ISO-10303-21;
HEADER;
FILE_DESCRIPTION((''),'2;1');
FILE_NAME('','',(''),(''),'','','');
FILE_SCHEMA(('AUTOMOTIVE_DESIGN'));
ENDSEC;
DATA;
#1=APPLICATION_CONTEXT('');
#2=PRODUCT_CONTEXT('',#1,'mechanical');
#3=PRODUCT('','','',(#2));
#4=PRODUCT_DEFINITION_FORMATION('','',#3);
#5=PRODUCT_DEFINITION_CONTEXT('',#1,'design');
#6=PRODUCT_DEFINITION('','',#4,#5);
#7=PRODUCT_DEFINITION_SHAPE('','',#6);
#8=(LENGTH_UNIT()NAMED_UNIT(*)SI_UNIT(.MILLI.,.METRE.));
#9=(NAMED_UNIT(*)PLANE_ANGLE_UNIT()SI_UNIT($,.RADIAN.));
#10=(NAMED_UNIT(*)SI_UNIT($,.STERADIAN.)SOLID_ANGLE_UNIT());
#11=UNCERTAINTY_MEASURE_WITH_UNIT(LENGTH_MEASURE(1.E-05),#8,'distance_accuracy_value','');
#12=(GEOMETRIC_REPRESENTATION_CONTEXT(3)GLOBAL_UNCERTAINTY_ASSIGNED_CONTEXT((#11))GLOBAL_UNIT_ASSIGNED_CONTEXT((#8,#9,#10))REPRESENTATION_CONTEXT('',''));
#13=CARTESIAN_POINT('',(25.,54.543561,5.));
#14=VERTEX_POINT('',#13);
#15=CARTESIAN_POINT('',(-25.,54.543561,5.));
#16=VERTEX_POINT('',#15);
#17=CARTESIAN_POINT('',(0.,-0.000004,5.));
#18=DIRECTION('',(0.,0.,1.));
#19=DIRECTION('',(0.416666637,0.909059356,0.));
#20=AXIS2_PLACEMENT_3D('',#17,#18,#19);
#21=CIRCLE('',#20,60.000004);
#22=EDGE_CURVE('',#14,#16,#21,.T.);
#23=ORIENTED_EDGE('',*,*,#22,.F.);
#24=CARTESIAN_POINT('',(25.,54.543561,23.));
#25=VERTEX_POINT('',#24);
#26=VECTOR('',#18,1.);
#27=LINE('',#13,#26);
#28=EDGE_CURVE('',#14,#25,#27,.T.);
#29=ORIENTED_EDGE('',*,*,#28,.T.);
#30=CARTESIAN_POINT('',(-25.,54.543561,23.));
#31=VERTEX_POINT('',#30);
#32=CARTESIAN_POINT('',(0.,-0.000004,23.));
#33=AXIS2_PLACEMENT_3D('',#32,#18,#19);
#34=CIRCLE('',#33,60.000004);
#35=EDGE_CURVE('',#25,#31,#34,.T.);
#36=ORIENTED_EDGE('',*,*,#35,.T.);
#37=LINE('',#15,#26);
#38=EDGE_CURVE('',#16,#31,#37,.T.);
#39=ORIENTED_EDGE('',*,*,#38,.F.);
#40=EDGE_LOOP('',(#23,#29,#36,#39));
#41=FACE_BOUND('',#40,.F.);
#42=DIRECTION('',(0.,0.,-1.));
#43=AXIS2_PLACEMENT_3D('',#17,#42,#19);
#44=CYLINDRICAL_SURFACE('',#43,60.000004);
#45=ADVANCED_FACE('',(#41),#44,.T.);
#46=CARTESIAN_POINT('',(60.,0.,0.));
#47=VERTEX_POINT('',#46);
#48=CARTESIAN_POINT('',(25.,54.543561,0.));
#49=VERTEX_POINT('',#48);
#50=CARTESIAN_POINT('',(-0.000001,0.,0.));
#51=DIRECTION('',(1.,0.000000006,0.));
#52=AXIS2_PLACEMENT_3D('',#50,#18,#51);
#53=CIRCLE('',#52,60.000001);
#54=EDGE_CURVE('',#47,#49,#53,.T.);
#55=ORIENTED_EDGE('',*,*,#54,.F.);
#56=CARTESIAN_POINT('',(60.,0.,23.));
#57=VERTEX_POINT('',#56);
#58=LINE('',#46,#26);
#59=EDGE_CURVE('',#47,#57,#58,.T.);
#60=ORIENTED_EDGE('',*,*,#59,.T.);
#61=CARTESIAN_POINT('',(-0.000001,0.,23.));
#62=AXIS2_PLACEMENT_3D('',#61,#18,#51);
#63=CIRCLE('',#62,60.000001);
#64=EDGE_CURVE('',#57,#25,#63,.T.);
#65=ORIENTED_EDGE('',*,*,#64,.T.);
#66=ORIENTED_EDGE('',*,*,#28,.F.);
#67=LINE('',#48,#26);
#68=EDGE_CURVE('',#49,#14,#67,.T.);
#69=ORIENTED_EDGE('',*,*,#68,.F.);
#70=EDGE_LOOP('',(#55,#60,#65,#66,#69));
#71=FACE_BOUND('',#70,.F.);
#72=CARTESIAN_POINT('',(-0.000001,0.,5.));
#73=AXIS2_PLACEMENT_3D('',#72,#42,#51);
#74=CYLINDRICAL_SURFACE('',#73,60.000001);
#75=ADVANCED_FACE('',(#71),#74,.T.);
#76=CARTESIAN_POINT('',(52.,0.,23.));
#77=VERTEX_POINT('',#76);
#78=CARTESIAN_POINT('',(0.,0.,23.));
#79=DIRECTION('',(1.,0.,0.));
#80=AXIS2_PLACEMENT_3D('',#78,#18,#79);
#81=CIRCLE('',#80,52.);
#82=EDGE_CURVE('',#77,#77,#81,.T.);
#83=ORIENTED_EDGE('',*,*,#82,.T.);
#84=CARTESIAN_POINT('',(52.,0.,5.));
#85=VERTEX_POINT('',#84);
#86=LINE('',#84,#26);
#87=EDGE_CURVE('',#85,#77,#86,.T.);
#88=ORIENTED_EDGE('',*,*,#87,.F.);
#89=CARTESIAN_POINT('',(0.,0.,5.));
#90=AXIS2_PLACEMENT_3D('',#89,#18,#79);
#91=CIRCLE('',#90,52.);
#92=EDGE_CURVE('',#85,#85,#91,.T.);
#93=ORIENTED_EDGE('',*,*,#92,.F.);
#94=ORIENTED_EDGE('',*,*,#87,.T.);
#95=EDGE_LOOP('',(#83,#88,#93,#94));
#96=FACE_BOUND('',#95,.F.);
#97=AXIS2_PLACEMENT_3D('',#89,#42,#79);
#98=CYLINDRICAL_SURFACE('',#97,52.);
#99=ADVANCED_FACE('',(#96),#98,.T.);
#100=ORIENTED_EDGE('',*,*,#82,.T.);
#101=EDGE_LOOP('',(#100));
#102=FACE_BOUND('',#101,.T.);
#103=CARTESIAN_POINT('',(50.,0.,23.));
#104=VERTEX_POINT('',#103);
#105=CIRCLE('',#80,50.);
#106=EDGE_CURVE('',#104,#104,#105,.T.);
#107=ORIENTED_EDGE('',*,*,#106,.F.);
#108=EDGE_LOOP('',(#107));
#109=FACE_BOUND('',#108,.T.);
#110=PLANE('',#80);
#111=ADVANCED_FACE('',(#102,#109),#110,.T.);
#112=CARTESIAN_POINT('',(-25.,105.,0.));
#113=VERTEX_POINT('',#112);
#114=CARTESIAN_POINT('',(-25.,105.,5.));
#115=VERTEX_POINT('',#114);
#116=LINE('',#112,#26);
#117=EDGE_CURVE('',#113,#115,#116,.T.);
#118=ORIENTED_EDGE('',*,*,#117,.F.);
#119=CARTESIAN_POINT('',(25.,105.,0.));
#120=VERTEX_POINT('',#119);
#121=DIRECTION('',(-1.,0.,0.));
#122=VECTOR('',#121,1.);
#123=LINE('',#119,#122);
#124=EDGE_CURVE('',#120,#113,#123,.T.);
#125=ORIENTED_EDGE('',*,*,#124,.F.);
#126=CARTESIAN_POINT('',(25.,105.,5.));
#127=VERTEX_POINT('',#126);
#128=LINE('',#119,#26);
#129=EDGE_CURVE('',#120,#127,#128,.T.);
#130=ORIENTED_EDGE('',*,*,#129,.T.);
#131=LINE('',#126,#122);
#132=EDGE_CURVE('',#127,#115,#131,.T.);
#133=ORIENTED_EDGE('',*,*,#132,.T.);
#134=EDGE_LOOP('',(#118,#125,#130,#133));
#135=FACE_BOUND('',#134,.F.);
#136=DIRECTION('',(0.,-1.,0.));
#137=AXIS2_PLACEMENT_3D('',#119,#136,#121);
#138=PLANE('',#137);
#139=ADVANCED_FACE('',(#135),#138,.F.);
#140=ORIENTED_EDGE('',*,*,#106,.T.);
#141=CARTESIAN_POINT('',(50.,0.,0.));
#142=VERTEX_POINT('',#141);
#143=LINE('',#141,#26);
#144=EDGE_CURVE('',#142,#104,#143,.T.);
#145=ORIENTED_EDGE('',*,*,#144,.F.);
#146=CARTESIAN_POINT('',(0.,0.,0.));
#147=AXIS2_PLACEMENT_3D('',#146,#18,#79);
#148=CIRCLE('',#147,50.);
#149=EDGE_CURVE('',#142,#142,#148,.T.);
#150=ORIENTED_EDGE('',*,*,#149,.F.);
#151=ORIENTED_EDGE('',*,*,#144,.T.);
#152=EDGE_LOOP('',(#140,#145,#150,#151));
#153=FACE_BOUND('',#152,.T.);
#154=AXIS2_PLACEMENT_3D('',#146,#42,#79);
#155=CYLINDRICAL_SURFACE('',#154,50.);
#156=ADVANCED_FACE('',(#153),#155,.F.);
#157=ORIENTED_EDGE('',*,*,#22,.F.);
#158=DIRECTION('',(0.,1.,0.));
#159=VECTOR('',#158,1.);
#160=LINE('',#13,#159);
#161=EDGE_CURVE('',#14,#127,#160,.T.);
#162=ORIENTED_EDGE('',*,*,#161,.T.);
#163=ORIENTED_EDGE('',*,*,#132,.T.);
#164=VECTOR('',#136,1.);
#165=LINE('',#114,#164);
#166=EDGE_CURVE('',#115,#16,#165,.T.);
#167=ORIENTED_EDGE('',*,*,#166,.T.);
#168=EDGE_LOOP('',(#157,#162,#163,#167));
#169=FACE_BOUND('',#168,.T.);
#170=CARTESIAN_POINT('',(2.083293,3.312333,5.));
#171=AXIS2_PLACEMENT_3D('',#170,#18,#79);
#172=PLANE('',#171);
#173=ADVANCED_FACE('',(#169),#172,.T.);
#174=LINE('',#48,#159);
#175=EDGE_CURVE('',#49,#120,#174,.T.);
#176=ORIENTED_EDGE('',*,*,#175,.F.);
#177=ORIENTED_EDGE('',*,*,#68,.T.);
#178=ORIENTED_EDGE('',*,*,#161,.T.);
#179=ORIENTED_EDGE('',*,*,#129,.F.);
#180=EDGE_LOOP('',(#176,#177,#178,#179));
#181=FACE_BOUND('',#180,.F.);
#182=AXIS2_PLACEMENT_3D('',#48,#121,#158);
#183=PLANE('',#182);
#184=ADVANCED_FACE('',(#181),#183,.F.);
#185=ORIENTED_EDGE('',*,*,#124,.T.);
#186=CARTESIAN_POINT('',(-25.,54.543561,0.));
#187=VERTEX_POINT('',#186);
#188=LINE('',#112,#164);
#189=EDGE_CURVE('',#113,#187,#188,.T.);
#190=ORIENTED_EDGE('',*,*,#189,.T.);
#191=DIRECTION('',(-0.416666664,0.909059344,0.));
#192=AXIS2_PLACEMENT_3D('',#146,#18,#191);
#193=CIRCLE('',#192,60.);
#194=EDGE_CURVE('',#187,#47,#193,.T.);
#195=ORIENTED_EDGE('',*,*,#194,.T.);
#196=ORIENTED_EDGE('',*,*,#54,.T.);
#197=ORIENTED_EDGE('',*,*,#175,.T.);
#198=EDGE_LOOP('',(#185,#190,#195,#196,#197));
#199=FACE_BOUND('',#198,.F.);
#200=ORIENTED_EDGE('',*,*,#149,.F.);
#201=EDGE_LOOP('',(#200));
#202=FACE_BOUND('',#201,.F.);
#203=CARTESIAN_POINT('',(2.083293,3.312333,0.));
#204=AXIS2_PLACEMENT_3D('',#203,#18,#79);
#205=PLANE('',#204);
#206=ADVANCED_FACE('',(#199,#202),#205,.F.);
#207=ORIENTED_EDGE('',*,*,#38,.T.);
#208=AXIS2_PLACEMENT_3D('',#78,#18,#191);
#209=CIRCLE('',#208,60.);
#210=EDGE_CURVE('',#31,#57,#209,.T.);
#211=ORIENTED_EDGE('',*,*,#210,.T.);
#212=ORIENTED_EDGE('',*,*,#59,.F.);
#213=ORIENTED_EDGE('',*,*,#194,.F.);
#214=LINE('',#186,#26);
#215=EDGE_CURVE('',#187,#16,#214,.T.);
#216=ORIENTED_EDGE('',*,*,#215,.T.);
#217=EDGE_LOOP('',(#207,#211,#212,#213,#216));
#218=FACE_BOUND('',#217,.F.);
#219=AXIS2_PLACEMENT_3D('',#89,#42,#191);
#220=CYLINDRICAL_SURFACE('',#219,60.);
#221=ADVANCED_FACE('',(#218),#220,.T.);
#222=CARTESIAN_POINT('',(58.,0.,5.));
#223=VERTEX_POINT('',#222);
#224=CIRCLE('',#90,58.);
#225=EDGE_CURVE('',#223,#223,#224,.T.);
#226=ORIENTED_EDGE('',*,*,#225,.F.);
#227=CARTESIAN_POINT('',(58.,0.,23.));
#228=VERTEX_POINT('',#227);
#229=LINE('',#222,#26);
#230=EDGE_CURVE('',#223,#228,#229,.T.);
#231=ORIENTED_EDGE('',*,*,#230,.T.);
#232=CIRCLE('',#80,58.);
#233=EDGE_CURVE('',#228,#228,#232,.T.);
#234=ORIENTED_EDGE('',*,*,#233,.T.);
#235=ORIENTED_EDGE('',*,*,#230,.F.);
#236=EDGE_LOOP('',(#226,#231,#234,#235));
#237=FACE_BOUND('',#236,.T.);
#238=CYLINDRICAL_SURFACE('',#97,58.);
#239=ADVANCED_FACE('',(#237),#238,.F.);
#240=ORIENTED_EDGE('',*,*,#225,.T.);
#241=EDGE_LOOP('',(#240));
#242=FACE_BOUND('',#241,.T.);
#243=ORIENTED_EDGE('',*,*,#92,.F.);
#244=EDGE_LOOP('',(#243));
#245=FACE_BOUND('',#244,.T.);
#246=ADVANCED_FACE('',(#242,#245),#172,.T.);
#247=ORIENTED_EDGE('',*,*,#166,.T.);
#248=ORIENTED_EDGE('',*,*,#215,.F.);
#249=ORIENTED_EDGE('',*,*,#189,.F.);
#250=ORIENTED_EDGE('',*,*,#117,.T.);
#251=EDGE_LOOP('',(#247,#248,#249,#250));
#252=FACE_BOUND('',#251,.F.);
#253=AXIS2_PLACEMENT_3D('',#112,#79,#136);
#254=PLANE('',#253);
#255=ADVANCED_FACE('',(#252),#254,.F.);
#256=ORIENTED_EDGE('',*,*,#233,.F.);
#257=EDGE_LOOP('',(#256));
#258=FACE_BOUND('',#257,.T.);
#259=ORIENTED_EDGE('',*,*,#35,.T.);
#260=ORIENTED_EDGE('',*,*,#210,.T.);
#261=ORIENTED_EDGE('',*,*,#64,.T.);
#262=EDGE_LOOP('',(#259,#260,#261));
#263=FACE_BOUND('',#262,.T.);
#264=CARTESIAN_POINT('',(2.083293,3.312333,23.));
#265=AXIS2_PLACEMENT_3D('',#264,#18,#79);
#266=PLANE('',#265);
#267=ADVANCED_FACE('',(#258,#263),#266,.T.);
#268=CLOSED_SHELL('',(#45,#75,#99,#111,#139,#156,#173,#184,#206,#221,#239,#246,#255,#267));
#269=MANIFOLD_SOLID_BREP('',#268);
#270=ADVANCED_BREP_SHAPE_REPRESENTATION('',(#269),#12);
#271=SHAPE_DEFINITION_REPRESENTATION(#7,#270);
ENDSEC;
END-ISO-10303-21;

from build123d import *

# Parameters (mm, degrees)
F0_R     = 50
F1_DEPTH = 5
F2_R     = 58
F2_R_2   = 52
F2_R_3   = 50
F3_DEPTH = 18


with BuildPart() as f1:
    # F0 (on Top) → F1 (new body)
    with BuildSketch(Plane.XY):
        with BuildLine():
            ThreePointArc((-25, 54.543561), (-32.403703, -50.497525), (60, 0))
            ThreePointArc((60, 0), (50.497525, 32.403703), (25, 54.543561))
            ThreePointArc((25, 54.543561), (0, 60), (-25, 54.543561))
        make_face()
        Circle(F0_R, mode=Mode.SUBTRACT)
        with BuildLine():
            ThreePointArc((-25, 54.543561), (0, 60), (25, 54.543561))
            Line((25, 54.543561), (25, 60))
            Line((25, 60), (25, 105))
            Line((25, 105), (-25, 105))
            Line((-25, 105), (-25, 54.543561))
        make_face()
    extrude(amount=F1_DEPTH)

    # F2 (on face) → F3 (join)
    with BuildSketch(Plane.XY.offset(5)):
        with BuildLine():
            ThreePointArc((-25, 54.543561), (-32.403703, -50.497525), (60, 0))
            ThreePointArc((60, 0), (50.497525, 32.403703), (25, 54.543561))
            ThreePointArc((25, 54.543561), (0, 60), (-25, 54.543561))
        make_face()
        Circle(F2_R, mode=Mode.SUBTRACT)
        Circle(F2_R_2)
        Circle(F2_R_3, mode=Mode.SUBTRACT)
    extrude(amount=F3_DEPTH)


solid = f1.part
